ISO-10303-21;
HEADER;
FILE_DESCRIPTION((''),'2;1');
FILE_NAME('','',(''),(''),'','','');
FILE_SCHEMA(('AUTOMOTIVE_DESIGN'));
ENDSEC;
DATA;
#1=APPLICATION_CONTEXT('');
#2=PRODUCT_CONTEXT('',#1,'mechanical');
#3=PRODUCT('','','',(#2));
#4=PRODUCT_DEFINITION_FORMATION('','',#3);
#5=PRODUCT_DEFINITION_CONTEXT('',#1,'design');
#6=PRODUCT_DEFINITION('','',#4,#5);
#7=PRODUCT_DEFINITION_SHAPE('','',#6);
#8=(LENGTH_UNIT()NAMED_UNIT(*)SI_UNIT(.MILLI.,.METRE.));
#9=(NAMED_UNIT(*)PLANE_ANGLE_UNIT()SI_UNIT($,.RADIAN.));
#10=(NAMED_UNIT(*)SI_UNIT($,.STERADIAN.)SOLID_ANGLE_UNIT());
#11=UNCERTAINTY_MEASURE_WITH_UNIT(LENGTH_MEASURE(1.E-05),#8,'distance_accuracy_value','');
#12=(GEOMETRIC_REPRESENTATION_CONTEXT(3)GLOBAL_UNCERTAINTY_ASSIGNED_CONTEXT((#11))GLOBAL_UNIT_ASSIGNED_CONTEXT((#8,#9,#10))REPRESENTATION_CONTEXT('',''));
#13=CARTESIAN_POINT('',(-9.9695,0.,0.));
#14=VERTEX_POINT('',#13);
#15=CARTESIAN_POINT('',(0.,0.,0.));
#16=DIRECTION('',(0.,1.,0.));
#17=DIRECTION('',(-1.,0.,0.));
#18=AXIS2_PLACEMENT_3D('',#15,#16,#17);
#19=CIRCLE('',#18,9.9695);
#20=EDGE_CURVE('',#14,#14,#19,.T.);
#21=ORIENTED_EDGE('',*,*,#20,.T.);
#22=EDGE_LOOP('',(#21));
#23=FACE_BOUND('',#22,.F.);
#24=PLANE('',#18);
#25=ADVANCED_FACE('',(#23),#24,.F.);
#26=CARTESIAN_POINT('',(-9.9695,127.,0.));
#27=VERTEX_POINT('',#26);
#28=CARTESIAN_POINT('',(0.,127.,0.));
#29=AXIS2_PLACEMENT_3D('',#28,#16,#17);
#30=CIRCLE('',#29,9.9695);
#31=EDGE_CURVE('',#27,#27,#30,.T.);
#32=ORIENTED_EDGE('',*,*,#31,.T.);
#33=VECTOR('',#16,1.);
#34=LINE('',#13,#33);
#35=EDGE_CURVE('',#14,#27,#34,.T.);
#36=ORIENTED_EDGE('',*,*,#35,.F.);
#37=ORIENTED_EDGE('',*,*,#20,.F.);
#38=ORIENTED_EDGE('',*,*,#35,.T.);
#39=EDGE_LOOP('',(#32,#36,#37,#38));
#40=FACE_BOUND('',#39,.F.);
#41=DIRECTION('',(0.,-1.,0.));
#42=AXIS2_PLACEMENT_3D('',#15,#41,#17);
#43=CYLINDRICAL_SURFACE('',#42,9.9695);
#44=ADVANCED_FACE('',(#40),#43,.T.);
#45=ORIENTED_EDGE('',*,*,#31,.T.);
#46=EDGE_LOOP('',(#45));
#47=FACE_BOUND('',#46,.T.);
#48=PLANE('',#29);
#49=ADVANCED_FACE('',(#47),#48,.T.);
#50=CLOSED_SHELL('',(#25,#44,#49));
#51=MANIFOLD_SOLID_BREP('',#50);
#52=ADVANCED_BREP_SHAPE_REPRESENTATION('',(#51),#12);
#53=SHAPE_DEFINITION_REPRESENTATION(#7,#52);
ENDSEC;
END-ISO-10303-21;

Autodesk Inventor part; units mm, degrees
ref_plane "YZ Plane" through (0, 0, 0) normal (1, 0, 0) x (0, 1, 0)
ref_plane "XZ Plane" through (0, 0, 0) normal (0, 1, 0) x (-1, 0, 0)
ref_plane "XY Plane" through (0, 0, 0) normal (0, 0, 1) x (1, 0, 0)
sketch "Sketch1" plane through (0, 0, 0) normal (0, 1, 0) x (-1, 0, 0)
  circle A0 centre (0, 0) radius 9.9695
  dimension "d0" = 19.939
extrude "Extrusion1" add sketch "Sketch1" along normal blind 127
properties part number "acutatedpole"
